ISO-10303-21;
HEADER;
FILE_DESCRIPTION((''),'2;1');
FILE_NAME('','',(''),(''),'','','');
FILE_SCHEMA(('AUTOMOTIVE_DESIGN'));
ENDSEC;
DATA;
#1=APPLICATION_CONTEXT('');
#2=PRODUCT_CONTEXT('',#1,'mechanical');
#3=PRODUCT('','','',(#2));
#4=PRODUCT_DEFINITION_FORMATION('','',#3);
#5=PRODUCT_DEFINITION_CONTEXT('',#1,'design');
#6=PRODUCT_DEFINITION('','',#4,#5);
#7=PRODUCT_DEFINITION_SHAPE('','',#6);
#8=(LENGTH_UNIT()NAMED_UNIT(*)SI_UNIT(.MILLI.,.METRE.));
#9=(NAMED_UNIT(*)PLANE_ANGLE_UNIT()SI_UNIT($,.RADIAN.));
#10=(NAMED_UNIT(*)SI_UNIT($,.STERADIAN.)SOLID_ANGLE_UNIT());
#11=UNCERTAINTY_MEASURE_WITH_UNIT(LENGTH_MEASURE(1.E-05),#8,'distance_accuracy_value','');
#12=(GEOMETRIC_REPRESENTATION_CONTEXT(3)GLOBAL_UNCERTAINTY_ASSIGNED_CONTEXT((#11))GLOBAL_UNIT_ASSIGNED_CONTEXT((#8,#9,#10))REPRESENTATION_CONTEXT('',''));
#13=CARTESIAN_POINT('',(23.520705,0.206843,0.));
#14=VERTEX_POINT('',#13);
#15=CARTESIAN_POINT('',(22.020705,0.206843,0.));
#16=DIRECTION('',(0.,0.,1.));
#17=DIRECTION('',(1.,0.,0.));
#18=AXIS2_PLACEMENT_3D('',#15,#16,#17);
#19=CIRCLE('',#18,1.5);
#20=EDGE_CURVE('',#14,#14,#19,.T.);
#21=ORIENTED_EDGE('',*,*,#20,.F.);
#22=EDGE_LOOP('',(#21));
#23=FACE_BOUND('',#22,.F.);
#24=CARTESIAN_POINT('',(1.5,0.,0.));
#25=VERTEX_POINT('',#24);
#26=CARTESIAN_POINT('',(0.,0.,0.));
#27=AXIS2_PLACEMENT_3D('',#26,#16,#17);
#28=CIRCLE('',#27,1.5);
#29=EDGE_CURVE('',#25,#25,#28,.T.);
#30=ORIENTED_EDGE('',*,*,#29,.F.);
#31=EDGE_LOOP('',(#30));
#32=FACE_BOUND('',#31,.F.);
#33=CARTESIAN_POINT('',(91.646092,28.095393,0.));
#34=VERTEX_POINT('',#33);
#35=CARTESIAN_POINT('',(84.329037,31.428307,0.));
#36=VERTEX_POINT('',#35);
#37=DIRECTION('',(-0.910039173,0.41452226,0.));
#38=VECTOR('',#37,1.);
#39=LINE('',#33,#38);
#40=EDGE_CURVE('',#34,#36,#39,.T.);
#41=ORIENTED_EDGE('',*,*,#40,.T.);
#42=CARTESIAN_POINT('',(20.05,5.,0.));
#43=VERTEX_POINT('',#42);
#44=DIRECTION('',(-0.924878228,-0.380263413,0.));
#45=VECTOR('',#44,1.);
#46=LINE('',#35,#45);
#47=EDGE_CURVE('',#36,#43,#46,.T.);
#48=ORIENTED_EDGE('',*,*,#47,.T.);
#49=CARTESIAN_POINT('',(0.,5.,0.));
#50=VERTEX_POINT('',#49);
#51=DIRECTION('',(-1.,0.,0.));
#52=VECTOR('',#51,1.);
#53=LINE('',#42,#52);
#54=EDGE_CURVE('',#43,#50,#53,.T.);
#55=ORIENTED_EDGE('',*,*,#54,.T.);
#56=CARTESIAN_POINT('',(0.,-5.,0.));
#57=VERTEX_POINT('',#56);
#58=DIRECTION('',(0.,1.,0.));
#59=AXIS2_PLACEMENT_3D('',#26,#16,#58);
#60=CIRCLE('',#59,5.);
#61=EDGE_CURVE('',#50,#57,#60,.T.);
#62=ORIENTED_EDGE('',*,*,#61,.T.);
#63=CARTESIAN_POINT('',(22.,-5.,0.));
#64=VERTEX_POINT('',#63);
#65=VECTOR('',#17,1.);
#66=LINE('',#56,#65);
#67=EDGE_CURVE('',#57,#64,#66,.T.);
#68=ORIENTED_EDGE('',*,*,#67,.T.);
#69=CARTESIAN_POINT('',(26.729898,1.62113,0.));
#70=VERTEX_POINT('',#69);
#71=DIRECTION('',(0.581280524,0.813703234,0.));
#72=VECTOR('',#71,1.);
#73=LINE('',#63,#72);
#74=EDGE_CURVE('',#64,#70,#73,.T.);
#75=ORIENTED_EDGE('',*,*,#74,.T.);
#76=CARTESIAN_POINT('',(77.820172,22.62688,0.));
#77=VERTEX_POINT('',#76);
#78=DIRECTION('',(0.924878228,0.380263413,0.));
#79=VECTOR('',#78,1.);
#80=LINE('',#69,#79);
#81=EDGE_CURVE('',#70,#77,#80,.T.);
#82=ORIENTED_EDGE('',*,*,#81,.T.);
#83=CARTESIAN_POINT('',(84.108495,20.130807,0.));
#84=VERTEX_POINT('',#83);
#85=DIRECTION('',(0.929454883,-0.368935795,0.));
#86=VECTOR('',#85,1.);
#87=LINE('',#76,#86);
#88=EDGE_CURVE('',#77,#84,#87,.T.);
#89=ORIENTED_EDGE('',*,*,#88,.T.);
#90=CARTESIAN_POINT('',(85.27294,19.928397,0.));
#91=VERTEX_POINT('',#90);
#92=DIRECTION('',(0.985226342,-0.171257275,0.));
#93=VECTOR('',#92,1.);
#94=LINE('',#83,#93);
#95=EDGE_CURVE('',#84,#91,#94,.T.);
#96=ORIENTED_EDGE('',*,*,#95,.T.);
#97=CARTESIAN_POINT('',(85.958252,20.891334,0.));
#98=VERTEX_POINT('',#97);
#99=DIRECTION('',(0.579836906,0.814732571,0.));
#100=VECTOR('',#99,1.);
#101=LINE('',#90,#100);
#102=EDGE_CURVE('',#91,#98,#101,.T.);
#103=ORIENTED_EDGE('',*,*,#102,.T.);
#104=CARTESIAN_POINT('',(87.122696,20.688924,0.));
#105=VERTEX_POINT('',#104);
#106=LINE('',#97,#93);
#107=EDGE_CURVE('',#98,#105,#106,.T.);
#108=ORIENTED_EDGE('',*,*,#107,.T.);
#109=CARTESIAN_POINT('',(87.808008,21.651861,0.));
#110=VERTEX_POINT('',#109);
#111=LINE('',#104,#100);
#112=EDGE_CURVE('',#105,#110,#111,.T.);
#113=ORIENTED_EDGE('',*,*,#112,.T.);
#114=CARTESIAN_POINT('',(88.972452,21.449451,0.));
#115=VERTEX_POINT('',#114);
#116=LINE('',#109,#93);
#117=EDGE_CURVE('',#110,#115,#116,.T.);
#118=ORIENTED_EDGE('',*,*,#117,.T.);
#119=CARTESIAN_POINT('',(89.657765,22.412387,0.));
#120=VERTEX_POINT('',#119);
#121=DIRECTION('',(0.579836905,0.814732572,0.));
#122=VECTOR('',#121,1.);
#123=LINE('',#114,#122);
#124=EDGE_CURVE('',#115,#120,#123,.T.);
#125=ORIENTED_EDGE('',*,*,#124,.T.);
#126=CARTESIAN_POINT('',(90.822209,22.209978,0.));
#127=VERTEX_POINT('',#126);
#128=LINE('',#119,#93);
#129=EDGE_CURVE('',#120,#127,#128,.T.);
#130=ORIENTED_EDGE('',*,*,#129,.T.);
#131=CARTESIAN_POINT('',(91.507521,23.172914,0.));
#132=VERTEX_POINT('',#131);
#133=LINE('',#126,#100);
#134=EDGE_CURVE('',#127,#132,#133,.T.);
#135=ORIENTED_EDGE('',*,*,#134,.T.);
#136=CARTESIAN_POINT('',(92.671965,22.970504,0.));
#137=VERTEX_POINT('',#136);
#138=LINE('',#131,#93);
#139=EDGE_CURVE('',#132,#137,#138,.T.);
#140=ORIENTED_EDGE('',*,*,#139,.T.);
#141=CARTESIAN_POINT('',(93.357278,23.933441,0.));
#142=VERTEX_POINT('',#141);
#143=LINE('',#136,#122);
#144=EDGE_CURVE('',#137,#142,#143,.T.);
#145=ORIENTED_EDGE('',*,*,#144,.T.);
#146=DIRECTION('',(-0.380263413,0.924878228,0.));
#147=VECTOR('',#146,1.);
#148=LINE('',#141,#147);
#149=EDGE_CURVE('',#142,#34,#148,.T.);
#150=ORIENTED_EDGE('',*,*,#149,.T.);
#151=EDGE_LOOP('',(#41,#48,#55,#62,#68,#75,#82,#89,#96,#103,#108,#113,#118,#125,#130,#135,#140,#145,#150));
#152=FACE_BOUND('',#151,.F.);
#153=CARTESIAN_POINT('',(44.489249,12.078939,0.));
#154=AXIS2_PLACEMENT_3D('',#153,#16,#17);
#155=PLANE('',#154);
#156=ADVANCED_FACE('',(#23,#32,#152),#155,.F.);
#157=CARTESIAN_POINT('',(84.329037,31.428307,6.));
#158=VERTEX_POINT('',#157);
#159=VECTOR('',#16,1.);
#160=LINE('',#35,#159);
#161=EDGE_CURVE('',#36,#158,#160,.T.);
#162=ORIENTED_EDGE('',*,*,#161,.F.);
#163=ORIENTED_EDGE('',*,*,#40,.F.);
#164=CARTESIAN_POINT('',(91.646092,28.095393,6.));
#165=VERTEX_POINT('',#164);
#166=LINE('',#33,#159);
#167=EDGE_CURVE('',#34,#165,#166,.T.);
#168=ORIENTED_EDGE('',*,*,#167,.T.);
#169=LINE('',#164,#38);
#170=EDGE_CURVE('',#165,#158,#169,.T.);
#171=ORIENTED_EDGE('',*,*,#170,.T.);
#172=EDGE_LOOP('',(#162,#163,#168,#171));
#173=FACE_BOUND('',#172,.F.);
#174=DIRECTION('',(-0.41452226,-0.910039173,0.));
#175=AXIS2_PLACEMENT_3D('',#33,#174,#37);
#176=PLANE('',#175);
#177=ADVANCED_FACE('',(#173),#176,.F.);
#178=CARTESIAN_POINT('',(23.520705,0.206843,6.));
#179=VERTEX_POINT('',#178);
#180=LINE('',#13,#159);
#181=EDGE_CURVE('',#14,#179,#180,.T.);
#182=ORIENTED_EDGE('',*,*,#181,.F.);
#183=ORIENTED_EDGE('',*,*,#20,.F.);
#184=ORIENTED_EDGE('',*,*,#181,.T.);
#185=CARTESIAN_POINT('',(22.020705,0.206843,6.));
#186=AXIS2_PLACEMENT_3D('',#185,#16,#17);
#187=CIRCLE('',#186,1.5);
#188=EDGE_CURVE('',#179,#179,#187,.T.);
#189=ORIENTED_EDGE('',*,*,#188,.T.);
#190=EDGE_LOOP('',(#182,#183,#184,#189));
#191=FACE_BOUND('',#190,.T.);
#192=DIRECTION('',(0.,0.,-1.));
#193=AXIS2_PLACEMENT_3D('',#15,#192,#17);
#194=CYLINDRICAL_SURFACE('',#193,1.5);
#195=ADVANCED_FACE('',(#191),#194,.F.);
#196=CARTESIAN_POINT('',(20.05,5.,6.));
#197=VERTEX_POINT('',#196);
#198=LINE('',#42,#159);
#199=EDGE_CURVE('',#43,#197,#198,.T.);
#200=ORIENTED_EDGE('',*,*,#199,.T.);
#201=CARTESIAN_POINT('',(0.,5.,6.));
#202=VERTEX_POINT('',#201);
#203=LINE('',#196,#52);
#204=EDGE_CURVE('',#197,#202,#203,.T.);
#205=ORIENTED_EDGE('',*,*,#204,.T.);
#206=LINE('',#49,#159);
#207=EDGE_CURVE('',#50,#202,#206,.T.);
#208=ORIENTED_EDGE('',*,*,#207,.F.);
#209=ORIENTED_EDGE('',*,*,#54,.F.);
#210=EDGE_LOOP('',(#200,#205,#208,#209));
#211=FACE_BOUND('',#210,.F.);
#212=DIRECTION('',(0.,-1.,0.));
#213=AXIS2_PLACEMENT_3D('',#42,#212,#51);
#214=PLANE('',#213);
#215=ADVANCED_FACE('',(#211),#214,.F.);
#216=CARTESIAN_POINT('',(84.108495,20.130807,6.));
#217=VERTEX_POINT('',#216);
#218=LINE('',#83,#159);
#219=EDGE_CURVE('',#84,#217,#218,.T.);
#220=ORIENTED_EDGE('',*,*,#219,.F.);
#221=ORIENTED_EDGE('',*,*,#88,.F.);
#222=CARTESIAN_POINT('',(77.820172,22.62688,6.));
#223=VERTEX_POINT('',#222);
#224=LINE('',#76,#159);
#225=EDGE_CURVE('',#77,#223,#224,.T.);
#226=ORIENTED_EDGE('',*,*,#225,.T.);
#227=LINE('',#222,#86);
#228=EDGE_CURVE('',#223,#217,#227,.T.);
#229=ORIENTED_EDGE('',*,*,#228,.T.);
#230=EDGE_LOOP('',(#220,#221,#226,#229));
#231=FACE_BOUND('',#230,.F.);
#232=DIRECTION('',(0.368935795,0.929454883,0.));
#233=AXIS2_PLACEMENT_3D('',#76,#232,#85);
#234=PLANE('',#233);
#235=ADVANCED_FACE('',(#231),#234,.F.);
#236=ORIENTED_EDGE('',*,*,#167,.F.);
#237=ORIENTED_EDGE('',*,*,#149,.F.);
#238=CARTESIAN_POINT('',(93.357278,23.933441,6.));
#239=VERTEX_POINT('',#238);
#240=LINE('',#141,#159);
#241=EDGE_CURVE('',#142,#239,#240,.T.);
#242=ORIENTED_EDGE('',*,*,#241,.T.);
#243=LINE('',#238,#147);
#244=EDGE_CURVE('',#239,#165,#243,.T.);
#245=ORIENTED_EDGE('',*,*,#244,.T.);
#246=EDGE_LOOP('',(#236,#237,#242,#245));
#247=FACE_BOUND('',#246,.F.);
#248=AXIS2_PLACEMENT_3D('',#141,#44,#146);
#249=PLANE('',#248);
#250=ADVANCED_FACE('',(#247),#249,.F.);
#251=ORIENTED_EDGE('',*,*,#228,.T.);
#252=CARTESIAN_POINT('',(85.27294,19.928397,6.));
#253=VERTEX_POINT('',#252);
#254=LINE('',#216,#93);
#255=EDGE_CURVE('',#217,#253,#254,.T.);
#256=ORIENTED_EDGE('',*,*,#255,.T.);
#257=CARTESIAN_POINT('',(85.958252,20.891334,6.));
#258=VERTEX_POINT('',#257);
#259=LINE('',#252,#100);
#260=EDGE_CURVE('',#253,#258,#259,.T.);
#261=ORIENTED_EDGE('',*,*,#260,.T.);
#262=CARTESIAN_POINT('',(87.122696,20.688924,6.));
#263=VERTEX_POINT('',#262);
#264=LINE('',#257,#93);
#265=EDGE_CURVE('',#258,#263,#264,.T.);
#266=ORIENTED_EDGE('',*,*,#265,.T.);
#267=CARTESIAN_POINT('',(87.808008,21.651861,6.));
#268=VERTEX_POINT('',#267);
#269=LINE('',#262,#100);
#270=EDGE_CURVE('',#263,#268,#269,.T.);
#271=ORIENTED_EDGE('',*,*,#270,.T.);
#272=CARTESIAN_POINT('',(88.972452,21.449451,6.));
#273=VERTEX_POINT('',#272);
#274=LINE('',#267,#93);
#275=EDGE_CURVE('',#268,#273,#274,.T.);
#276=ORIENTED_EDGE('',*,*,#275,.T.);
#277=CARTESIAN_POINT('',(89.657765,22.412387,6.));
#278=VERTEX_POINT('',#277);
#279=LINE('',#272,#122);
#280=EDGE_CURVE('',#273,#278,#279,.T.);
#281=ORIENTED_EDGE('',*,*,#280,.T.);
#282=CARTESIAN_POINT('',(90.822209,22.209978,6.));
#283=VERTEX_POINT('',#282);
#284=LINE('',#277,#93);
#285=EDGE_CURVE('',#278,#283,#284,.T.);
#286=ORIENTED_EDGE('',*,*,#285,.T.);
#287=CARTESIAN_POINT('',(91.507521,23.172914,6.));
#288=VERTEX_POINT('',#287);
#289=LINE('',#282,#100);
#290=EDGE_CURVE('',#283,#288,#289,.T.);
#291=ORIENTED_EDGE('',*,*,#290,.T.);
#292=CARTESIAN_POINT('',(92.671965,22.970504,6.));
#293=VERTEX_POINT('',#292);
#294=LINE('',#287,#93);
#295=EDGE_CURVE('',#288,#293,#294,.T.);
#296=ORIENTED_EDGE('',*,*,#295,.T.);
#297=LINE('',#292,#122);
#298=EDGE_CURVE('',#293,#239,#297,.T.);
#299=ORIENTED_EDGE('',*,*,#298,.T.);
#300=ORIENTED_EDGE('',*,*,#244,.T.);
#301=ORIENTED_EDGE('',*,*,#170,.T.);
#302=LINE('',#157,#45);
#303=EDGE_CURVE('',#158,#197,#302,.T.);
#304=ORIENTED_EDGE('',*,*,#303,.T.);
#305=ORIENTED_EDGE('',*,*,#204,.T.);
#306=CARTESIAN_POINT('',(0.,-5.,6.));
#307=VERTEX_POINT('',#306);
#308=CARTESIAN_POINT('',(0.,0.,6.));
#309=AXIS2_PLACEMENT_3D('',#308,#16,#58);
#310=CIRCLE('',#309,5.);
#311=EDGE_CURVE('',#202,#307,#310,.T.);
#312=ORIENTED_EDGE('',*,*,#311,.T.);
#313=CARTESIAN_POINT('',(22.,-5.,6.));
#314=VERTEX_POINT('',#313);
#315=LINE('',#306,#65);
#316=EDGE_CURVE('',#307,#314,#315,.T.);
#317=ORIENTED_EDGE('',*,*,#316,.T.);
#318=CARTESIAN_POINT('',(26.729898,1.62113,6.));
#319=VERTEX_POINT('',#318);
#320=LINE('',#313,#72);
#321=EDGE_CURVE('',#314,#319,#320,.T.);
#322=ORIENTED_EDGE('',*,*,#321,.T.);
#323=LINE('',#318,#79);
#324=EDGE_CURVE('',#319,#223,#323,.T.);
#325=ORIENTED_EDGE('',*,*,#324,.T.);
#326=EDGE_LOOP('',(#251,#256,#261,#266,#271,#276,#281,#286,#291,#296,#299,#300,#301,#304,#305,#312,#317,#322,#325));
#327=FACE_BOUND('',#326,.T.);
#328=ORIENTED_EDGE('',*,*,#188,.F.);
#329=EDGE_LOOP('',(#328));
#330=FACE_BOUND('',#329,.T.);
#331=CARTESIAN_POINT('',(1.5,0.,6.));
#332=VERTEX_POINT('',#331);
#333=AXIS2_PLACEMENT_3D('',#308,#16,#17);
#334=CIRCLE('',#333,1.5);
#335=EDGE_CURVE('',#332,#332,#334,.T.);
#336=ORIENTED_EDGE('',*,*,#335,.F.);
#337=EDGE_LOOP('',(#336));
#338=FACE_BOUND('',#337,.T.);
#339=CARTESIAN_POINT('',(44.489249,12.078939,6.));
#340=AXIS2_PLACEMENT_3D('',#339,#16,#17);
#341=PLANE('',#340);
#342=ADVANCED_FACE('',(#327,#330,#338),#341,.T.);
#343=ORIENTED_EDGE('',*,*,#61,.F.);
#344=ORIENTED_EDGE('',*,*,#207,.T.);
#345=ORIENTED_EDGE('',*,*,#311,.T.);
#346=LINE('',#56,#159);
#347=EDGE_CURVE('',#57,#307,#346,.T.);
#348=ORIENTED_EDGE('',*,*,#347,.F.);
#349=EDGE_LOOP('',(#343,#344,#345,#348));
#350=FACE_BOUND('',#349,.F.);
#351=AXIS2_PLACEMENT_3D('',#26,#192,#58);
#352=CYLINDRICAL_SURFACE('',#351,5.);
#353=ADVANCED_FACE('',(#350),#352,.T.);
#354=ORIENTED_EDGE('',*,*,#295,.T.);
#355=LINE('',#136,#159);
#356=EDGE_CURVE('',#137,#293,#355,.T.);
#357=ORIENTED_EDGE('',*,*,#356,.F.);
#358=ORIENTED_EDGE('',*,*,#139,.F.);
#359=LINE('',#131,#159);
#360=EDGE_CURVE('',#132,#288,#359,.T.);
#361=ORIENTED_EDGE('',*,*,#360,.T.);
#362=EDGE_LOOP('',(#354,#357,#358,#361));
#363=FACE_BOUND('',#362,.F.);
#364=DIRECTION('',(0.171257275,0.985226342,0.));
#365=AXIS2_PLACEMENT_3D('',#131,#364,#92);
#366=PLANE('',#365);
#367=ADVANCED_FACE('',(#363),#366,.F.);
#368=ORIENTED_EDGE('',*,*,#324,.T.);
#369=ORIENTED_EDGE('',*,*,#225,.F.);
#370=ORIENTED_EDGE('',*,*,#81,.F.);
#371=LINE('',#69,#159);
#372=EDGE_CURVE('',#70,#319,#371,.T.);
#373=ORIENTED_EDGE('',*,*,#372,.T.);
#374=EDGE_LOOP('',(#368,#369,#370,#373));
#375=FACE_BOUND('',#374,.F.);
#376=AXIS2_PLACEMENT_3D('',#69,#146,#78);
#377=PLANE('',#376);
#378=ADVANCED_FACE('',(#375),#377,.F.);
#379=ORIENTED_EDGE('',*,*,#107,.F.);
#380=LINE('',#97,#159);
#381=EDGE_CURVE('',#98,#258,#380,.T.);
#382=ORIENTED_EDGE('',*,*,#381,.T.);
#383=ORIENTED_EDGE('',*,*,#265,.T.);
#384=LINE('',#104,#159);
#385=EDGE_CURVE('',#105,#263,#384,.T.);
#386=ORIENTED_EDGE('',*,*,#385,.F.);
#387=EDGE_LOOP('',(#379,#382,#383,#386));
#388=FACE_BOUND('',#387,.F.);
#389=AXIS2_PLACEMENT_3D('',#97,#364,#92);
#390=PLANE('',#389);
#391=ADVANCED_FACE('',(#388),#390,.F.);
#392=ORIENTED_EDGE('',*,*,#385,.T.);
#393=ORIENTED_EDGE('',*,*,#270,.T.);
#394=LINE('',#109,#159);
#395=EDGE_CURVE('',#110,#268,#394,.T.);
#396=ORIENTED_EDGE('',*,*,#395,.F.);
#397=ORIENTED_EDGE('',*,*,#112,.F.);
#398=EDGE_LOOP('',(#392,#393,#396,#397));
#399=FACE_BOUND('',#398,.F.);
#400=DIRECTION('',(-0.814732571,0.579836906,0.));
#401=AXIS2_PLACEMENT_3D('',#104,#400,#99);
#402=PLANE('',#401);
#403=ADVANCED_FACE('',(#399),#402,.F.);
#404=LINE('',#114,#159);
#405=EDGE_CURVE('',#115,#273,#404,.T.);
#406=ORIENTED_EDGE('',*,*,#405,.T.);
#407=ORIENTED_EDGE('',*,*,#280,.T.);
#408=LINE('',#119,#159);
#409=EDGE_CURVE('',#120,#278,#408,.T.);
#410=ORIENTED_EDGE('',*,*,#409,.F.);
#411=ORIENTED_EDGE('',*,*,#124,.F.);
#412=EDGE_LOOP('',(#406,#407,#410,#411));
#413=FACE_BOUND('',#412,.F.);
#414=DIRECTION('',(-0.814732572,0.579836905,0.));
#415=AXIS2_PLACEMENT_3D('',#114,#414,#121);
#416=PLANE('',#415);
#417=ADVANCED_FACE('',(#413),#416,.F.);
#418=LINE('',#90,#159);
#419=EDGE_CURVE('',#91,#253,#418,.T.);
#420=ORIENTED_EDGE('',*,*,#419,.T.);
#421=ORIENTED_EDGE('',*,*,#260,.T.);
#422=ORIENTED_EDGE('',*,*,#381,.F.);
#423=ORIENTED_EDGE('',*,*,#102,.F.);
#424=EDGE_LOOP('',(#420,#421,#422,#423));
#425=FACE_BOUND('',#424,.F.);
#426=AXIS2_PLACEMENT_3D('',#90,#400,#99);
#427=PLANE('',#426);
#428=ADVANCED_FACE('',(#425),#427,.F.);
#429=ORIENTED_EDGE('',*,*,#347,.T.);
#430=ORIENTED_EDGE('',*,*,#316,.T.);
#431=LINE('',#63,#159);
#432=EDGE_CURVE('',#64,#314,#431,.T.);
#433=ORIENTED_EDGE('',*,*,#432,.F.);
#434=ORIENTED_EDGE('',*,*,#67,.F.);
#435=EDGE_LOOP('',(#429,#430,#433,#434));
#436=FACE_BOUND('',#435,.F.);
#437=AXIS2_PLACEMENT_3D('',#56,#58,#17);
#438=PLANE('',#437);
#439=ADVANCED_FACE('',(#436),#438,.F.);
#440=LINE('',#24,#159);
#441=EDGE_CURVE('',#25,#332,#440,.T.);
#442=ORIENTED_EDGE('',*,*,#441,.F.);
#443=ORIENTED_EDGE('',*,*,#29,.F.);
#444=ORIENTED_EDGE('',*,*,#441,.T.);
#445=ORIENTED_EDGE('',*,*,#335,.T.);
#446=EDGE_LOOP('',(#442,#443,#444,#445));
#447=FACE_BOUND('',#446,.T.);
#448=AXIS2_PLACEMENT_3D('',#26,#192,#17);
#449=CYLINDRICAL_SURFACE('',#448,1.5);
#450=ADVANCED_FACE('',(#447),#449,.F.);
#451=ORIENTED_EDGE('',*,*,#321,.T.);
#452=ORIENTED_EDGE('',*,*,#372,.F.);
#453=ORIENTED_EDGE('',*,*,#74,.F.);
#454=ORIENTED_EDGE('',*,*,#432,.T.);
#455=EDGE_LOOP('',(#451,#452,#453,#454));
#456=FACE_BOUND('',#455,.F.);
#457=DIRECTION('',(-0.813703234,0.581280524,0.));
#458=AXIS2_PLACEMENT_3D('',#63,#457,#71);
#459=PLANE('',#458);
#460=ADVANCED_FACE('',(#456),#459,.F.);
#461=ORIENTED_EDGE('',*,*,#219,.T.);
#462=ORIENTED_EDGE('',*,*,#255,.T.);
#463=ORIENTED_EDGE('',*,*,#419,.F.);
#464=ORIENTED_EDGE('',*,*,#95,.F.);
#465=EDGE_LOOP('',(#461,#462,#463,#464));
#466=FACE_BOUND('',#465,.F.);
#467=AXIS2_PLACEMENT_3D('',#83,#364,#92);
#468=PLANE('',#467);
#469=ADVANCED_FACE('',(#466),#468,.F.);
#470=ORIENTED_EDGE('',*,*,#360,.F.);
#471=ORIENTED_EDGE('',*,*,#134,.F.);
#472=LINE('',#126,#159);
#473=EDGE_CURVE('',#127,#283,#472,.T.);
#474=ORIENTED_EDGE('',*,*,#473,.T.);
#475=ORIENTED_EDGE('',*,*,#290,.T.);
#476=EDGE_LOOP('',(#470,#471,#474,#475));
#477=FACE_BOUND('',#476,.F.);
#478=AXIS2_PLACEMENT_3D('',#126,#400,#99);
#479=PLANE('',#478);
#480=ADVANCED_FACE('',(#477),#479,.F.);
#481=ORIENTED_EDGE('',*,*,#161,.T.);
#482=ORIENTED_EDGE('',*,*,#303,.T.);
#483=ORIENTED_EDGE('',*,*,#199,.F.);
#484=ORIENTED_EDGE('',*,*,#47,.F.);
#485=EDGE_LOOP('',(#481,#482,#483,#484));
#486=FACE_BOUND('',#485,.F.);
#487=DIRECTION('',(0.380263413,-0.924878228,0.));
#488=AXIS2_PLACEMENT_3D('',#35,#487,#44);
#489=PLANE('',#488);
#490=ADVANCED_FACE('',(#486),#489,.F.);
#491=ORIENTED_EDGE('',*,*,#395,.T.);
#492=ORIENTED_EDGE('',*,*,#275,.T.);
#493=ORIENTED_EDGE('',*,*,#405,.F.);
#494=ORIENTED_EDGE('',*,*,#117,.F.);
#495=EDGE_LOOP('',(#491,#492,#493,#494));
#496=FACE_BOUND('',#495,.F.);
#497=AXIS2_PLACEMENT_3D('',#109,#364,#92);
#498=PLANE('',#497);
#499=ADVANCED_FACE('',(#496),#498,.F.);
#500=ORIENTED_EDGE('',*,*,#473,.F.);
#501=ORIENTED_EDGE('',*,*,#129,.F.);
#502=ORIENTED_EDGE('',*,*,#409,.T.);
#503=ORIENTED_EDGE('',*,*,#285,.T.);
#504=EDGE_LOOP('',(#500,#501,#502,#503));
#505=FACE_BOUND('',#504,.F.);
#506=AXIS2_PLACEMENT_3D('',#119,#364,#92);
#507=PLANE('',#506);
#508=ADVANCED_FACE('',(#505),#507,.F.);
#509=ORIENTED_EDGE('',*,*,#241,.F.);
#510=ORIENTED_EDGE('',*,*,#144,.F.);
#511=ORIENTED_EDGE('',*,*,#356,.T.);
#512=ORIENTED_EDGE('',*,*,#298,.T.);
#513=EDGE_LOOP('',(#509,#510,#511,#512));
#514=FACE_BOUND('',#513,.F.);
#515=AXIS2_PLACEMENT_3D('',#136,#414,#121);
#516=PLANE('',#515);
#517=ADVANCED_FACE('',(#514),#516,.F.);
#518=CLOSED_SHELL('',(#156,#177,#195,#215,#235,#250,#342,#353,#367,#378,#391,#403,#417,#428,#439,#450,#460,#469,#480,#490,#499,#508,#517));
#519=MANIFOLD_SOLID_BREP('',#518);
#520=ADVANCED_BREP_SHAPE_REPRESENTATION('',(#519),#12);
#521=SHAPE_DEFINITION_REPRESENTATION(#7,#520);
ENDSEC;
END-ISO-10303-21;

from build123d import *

# Parameters (mm, degrees)
SKETCH1_R           = 1.5
BOSS_EXTRUDE3_DEPTH = 6


with BuildPart() as part:
    # Sketch1 → Boss-Extrude3 (new body)
    with BuildSketch(Plane.XY):
        with BuildLine():
            Line((20.05, 5), (0, 5))
            ThreePointArc((0, 5), (-5, 0), (0, -5))
            Line((0, -5), (22, -5))
            Line((22, -5), (26.72989842, 1.621129525))
            Line((26.72989842, 1.621129525), (77.820171744, 22.626880444))
            Line((77.820171744, 22.626880444), (84.10849538, 20.130806965))
            Line((84.10849538, 20.130806965), (85.272939558, 19.928397094))
            Line((85.272939558, 19.928397094), (85.958251837, 20.89133379))
            Line((85.958251837, 20.89133379), (87.122696015, 20.688923919))
            Line((87.122696015, 20.688923919), (87.808008293, 21.651860615))
            Line((87.808008293, 21.651860615), (88.972452471, 21.449450744))
            Line((88.972452471, 21.449450744), (89.657764749, 22.412387441))
            Line((89.657764749, 22.412387441), (90.822208927, 22.20997757))
            Line((90.822208927, 22.20997757), (91.507521206, 23.172914266))
            Line((91.507521206, 23.172914266), (92.671965384, 22.970504395))
            Line((92.671965384, 22.970504395), (93.357277662, 23.933441092))
            Line((93.357277662, 23.933441092), (91.646092305, 28.095393119))
            Line((91.646092305, 28.095393119), (84.329036858, 31.428307185))
            Line((84.329036858, 31.428307185), (20.05, 5))
        make_face()
        Circle(SKETCH1_R, mode=Mode.SUBTRACT)
        with Locations((22.020705275, 0.206842568)):
            Circle(SKETCH1_R, mode=Mode.SUBTRACT)
    extrude(amount=BOSS_EXTRUDE3_DEPTH)


solid = part.part
